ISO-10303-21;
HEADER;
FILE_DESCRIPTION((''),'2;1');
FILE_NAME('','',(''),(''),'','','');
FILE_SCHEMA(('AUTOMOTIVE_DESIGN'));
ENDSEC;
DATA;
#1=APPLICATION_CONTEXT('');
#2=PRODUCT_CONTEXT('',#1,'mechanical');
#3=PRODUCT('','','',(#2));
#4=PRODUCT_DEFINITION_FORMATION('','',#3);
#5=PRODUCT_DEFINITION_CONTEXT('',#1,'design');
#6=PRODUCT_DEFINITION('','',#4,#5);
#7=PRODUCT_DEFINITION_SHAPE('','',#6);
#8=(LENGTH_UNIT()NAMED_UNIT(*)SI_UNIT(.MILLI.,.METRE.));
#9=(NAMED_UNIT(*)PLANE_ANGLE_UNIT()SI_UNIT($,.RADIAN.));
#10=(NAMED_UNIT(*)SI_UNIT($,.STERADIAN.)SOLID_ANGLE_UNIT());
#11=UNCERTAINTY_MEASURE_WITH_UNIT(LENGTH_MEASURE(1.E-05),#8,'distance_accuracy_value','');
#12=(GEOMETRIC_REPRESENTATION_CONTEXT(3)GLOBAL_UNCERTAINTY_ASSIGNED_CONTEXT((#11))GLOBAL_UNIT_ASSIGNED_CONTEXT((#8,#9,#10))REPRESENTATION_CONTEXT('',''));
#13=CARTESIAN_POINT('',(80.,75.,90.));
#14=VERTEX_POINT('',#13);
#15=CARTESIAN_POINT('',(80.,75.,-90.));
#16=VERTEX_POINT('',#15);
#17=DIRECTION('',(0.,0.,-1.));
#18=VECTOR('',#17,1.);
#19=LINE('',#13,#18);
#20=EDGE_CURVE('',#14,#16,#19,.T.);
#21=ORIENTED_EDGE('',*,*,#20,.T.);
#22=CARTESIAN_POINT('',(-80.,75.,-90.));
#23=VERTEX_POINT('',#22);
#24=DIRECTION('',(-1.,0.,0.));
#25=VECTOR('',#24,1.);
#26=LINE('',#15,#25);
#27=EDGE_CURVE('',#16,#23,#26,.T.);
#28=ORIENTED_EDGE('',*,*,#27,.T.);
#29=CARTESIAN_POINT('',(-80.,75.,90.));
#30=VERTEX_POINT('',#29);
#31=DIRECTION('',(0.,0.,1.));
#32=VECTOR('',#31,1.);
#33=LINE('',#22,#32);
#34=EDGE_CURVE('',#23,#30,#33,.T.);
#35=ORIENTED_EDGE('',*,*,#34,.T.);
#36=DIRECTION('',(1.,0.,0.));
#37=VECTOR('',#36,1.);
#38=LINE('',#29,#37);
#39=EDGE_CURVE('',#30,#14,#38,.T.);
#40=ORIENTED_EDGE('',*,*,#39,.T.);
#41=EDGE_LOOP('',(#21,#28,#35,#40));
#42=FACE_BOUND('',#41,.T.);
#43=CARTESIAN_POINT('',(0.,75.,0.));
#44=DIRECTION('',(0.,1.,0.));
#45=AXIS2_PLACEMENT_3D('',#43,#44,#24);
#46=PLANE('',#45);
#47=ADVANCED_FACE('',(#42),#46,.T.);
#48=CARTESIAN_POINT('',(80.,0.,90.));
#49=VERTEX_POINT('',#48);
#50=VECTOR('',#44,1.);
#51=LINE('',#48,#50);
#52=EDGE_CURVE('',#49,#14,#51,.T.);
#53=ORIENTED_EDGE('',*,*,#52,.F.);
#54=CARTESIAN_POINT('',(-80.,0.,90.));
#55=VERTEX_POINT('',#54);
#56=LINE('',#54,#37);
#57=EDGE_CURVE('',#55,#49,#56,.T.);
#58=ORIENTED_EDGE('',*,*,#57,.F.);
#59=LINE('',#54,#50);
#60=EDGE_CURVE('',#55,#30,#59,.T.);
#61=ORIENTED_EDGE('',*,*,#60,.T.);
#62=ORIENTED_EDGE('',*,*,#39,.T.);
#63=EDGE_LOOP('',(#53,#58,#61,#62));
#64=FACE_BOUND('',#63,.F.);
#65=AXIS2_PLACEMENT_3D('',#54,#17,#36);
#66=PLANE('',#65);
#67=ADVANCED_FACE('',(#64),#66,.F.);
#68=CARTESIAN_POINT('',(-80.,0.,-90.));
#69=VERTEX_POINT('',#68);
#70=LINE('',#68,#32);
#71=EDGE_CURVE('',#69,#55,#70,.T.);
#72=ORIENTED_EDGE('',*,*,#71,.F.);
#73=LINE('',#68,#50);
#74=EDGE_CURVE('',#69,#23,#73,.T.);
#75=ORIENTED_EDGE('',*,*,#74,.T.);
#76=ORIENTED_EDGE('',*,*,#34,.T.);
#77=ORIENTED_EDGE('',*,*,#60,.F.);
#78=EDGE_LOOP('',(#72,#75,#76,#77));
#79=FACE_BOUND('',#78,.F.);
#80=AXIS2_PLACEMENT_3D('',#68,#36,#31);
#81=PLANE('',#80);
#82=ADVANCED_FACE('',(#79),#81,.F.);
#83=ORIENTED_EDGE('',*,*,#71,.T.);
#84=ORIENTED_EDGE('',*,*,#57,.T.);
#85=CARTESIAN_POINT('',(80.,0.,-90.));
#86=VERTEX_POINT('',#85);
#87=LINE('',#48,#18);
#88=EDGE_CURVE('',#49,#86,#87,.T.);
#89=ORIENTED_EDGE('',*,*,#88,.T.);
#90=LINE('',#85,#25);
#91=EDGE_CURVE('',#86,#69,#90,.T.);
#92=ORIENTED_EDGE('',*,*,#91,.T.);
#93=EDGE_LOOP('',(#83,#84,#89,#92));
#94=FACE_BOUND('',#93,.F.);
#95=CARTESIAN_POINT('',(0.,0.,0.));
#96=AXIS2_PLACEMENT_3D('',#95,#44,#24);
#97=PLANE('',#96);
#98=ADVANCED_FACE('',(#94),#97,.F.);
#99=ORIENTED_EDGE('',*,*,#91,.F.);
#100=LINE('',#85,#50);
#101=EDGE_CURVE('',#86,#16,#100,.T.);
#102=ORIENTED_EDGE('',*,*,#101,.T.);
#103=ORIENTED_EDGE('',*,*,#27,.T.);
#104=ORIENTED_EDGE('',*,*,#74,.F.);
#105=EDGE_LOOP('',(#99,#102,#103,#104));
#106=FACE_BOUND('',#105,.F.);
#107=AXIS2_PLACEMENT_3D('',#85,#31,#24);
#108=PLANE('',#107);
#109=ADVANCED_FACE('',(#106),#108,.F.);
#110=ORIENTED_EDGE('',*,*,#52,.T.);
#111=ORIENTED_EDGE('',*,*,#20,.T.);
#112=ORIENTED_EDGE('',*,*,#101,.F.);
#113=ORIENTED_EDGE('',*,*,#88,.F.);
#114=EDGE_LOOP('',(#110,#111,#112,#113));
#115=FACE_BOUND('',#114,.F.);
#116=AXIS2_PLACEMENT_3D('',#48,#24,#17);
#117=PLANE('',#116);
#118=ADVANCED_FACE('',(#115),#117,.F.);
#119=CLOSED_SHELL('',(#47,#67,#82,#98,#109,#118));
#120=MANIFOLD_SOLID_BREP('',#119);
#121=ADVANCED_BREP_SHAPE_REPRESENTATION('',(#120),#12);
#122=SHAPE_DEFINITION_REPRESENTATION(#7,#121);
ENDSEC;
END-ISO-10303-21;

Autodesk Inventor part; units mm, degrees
ref_plane "YZ Plane" through (0, 0, 0) normal (1, 0, 0) x (0, 1, 0)
ref_plane "XZ Plane" through (0, 0, 0) normal (0, 1, 0) x (-1, 0, 0)
ref_plane "XY Plane" through (0, 0, 0) normal (0, 0, 1) x (1, 0, 0)
sketch "Sketch1" plane through (0, 0, 0) normal (0, 1, 0) x (-1, 0, 0)
  line L0 (80, 90) -> (-80, 90)
  line L1 (-80, 90) -> (-80, -90)
  line L2 (-80, -90) -> (80, -90)
  line L3 (80, -90) -> (80, 90)
  point P0 (0, 0)
  point P1 (80, 0)
  point P2 (0, -90)
  dimension "d0" = 180
  dimension "d1" = 160
extrude "Extrusion1" add sketch "Sketch1" along normal blind 75
properties part number "stark24v10ahbattery"
